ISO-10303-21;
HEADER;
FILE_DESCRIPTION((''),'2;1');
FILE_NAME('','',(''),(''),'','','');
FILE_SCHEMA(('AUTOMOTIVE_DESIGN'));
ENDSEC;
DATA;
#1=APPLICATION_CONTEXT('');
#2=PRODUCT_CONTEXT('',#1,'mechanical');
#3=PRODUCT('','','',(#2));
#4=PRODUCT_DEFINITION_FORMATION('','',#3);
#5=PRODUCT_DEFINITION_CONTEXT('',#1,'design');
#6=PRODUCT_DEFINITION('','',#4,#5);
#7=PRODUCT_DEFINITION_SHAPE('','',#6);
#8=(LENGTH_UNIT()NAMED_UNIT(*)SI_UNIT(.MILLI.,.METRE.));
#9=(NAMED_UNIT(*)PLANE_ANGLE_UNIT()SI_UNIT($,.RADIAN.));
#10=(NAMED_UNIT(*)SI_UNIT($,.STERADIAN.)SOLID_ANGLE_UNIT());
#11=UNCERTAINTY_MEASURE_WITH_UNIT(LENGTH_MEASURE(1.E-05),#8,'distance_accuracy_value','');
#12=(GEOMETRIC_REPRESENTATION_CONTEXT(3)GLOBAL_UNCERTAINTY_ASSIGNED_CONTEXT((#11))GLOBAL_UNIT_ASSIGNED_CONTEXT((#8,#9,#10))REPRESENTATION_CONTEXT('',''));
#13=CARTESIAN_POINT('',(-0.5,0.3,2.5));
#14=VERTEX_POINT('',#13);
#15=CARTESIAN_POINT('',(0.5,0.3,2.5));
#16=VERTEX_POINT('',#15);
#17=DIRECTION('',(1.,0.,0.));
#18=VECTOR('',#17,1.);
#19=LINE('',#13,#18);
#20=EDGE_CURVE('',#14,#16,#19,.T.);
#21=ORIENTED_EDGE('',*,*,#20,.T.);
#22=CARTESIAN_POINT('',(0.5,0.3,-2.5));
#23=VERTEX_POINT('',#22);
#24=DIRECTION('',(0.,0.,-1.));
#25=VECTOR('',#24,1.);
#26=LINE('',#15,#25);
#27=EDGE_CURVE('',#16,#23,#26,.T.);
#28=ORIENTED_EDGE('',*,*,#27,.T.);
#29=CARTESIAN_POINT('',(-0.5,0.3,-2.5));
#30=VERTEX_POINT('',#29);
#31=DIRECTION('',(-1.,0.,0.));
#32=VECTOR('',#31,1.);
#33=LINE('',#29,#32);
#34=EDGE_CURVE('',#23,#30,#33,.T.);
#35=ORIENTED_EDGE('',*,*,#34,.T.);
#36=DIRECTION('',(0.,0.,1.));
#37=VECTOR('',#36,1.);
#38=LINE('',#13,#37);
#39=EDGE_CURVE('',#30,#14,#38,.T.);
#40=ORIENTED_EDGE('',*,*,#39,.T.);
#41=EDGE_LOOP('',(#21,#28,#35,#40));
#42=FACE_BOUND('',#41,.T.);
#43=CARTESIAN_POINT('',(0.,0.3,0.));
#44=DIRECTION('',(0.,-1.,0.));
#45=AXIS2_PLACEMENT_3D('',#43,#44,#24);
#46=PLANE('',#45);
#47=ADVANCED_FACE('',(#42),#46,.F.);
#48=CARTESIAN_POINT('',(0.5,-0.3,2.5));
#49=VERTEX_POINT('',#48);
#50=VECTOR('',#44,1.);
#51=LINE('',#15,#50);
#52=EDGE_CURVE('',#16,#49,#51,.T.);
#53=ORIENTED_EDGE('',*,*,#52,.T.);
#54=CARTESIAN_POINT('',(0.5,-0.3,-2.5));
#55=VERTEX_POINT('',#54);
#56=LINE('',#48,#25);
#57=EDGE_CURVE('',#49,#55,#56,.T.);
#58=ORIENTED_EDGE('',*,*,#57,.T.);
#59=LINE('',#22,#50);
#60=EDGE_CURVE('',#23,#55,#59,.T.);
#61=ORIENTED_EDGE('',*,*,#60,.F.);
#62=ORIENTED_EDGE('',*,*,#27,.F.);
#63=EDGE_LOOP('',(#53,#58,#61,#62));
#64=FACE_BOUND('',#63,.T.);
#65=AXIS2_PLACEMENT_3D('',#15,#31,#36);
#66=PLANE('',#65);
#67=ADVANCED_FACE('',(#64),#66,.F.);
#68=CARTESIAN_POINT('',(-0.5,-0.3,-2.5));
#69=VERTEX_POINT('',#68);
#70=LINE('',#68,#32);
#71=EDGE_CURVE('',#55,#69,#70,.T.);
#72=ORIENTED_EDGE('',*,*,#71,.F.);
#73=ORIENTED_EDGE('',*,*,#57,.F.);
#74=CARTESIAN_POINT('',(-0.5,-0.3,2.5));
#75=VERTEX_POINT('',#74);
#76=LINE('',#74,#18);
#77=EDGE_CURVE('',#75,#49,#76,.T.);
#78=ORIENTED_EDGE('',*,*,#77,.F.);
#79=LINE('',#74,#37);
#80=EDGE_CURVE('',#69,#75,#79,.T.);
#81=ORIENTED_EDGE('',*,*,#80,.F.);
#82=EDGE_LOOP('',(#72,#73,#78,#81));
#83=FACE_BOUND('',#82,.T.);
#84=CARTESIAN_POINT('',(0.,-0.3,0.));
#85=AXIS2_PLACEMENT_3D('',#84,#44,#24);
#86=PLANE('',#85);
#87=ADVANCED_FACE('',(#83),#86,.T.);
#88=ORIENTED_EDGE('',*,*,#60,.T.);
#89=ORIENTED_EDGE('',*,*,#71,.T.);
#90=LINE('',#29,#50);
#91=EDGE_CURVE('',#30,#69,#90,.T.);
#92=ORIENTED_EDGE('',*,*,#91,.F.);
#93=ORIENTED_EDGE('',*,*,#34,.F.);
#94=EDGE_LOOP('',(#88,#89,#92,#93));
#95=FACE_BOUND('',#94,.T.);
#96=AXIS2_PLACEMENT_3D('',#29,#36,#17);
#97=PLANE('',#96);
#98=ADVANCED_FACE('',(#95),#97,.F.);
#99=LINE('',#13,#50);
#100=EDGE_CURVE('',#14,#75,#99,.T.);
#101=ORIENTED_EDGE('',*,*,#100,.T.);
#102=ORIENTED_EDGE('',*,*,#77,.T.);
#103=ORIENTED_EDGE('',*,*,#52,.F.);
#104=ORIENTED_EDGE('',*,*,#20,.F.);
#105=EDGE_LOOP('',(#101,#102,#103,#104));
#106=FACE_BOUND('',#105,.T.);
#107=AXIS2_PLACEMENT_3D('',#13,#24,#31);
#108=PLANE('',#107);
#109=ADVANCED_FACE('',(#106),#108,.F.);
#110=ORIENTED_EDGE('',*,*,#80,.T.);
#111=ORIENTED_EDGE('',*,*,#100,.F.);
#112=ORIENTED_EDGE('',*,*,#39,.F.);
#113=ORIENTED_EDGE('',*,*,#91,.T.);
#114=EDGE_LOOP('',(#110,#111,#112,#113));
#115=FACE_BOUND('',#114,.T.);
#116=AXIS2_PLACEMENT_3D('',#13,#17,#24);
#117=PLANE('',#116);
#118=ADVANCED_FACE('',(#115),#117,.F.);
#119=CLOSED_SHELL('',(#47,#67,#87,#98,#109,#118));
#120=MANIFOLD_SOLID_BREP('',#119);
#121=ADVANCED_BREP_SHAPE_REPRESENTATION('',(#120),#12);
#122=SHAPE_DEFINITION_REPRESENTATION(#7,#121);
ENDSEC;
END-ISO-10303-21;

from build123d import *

# Parameters (mm, degrees)
SKETCH1_W           = 1
SKETCH1_H           = 5
BOSS_EXTRUDE1_DEPTH = 0.3


with BuildPart() as part:
    # Sketch1 → Boss-Extrude1 (new body, symmetric)
    with BuildSketch(Plane(origin=(0, 0, 0), x_dir=(1, 0, 0), z_dir=(0, 1, 0))):
        Rectangle(SKETCH1_W, SKETCH1_H)
    extrude(amount=BOSS_EXTRUDE1_DEPTH, both=True)


solid = part.part
